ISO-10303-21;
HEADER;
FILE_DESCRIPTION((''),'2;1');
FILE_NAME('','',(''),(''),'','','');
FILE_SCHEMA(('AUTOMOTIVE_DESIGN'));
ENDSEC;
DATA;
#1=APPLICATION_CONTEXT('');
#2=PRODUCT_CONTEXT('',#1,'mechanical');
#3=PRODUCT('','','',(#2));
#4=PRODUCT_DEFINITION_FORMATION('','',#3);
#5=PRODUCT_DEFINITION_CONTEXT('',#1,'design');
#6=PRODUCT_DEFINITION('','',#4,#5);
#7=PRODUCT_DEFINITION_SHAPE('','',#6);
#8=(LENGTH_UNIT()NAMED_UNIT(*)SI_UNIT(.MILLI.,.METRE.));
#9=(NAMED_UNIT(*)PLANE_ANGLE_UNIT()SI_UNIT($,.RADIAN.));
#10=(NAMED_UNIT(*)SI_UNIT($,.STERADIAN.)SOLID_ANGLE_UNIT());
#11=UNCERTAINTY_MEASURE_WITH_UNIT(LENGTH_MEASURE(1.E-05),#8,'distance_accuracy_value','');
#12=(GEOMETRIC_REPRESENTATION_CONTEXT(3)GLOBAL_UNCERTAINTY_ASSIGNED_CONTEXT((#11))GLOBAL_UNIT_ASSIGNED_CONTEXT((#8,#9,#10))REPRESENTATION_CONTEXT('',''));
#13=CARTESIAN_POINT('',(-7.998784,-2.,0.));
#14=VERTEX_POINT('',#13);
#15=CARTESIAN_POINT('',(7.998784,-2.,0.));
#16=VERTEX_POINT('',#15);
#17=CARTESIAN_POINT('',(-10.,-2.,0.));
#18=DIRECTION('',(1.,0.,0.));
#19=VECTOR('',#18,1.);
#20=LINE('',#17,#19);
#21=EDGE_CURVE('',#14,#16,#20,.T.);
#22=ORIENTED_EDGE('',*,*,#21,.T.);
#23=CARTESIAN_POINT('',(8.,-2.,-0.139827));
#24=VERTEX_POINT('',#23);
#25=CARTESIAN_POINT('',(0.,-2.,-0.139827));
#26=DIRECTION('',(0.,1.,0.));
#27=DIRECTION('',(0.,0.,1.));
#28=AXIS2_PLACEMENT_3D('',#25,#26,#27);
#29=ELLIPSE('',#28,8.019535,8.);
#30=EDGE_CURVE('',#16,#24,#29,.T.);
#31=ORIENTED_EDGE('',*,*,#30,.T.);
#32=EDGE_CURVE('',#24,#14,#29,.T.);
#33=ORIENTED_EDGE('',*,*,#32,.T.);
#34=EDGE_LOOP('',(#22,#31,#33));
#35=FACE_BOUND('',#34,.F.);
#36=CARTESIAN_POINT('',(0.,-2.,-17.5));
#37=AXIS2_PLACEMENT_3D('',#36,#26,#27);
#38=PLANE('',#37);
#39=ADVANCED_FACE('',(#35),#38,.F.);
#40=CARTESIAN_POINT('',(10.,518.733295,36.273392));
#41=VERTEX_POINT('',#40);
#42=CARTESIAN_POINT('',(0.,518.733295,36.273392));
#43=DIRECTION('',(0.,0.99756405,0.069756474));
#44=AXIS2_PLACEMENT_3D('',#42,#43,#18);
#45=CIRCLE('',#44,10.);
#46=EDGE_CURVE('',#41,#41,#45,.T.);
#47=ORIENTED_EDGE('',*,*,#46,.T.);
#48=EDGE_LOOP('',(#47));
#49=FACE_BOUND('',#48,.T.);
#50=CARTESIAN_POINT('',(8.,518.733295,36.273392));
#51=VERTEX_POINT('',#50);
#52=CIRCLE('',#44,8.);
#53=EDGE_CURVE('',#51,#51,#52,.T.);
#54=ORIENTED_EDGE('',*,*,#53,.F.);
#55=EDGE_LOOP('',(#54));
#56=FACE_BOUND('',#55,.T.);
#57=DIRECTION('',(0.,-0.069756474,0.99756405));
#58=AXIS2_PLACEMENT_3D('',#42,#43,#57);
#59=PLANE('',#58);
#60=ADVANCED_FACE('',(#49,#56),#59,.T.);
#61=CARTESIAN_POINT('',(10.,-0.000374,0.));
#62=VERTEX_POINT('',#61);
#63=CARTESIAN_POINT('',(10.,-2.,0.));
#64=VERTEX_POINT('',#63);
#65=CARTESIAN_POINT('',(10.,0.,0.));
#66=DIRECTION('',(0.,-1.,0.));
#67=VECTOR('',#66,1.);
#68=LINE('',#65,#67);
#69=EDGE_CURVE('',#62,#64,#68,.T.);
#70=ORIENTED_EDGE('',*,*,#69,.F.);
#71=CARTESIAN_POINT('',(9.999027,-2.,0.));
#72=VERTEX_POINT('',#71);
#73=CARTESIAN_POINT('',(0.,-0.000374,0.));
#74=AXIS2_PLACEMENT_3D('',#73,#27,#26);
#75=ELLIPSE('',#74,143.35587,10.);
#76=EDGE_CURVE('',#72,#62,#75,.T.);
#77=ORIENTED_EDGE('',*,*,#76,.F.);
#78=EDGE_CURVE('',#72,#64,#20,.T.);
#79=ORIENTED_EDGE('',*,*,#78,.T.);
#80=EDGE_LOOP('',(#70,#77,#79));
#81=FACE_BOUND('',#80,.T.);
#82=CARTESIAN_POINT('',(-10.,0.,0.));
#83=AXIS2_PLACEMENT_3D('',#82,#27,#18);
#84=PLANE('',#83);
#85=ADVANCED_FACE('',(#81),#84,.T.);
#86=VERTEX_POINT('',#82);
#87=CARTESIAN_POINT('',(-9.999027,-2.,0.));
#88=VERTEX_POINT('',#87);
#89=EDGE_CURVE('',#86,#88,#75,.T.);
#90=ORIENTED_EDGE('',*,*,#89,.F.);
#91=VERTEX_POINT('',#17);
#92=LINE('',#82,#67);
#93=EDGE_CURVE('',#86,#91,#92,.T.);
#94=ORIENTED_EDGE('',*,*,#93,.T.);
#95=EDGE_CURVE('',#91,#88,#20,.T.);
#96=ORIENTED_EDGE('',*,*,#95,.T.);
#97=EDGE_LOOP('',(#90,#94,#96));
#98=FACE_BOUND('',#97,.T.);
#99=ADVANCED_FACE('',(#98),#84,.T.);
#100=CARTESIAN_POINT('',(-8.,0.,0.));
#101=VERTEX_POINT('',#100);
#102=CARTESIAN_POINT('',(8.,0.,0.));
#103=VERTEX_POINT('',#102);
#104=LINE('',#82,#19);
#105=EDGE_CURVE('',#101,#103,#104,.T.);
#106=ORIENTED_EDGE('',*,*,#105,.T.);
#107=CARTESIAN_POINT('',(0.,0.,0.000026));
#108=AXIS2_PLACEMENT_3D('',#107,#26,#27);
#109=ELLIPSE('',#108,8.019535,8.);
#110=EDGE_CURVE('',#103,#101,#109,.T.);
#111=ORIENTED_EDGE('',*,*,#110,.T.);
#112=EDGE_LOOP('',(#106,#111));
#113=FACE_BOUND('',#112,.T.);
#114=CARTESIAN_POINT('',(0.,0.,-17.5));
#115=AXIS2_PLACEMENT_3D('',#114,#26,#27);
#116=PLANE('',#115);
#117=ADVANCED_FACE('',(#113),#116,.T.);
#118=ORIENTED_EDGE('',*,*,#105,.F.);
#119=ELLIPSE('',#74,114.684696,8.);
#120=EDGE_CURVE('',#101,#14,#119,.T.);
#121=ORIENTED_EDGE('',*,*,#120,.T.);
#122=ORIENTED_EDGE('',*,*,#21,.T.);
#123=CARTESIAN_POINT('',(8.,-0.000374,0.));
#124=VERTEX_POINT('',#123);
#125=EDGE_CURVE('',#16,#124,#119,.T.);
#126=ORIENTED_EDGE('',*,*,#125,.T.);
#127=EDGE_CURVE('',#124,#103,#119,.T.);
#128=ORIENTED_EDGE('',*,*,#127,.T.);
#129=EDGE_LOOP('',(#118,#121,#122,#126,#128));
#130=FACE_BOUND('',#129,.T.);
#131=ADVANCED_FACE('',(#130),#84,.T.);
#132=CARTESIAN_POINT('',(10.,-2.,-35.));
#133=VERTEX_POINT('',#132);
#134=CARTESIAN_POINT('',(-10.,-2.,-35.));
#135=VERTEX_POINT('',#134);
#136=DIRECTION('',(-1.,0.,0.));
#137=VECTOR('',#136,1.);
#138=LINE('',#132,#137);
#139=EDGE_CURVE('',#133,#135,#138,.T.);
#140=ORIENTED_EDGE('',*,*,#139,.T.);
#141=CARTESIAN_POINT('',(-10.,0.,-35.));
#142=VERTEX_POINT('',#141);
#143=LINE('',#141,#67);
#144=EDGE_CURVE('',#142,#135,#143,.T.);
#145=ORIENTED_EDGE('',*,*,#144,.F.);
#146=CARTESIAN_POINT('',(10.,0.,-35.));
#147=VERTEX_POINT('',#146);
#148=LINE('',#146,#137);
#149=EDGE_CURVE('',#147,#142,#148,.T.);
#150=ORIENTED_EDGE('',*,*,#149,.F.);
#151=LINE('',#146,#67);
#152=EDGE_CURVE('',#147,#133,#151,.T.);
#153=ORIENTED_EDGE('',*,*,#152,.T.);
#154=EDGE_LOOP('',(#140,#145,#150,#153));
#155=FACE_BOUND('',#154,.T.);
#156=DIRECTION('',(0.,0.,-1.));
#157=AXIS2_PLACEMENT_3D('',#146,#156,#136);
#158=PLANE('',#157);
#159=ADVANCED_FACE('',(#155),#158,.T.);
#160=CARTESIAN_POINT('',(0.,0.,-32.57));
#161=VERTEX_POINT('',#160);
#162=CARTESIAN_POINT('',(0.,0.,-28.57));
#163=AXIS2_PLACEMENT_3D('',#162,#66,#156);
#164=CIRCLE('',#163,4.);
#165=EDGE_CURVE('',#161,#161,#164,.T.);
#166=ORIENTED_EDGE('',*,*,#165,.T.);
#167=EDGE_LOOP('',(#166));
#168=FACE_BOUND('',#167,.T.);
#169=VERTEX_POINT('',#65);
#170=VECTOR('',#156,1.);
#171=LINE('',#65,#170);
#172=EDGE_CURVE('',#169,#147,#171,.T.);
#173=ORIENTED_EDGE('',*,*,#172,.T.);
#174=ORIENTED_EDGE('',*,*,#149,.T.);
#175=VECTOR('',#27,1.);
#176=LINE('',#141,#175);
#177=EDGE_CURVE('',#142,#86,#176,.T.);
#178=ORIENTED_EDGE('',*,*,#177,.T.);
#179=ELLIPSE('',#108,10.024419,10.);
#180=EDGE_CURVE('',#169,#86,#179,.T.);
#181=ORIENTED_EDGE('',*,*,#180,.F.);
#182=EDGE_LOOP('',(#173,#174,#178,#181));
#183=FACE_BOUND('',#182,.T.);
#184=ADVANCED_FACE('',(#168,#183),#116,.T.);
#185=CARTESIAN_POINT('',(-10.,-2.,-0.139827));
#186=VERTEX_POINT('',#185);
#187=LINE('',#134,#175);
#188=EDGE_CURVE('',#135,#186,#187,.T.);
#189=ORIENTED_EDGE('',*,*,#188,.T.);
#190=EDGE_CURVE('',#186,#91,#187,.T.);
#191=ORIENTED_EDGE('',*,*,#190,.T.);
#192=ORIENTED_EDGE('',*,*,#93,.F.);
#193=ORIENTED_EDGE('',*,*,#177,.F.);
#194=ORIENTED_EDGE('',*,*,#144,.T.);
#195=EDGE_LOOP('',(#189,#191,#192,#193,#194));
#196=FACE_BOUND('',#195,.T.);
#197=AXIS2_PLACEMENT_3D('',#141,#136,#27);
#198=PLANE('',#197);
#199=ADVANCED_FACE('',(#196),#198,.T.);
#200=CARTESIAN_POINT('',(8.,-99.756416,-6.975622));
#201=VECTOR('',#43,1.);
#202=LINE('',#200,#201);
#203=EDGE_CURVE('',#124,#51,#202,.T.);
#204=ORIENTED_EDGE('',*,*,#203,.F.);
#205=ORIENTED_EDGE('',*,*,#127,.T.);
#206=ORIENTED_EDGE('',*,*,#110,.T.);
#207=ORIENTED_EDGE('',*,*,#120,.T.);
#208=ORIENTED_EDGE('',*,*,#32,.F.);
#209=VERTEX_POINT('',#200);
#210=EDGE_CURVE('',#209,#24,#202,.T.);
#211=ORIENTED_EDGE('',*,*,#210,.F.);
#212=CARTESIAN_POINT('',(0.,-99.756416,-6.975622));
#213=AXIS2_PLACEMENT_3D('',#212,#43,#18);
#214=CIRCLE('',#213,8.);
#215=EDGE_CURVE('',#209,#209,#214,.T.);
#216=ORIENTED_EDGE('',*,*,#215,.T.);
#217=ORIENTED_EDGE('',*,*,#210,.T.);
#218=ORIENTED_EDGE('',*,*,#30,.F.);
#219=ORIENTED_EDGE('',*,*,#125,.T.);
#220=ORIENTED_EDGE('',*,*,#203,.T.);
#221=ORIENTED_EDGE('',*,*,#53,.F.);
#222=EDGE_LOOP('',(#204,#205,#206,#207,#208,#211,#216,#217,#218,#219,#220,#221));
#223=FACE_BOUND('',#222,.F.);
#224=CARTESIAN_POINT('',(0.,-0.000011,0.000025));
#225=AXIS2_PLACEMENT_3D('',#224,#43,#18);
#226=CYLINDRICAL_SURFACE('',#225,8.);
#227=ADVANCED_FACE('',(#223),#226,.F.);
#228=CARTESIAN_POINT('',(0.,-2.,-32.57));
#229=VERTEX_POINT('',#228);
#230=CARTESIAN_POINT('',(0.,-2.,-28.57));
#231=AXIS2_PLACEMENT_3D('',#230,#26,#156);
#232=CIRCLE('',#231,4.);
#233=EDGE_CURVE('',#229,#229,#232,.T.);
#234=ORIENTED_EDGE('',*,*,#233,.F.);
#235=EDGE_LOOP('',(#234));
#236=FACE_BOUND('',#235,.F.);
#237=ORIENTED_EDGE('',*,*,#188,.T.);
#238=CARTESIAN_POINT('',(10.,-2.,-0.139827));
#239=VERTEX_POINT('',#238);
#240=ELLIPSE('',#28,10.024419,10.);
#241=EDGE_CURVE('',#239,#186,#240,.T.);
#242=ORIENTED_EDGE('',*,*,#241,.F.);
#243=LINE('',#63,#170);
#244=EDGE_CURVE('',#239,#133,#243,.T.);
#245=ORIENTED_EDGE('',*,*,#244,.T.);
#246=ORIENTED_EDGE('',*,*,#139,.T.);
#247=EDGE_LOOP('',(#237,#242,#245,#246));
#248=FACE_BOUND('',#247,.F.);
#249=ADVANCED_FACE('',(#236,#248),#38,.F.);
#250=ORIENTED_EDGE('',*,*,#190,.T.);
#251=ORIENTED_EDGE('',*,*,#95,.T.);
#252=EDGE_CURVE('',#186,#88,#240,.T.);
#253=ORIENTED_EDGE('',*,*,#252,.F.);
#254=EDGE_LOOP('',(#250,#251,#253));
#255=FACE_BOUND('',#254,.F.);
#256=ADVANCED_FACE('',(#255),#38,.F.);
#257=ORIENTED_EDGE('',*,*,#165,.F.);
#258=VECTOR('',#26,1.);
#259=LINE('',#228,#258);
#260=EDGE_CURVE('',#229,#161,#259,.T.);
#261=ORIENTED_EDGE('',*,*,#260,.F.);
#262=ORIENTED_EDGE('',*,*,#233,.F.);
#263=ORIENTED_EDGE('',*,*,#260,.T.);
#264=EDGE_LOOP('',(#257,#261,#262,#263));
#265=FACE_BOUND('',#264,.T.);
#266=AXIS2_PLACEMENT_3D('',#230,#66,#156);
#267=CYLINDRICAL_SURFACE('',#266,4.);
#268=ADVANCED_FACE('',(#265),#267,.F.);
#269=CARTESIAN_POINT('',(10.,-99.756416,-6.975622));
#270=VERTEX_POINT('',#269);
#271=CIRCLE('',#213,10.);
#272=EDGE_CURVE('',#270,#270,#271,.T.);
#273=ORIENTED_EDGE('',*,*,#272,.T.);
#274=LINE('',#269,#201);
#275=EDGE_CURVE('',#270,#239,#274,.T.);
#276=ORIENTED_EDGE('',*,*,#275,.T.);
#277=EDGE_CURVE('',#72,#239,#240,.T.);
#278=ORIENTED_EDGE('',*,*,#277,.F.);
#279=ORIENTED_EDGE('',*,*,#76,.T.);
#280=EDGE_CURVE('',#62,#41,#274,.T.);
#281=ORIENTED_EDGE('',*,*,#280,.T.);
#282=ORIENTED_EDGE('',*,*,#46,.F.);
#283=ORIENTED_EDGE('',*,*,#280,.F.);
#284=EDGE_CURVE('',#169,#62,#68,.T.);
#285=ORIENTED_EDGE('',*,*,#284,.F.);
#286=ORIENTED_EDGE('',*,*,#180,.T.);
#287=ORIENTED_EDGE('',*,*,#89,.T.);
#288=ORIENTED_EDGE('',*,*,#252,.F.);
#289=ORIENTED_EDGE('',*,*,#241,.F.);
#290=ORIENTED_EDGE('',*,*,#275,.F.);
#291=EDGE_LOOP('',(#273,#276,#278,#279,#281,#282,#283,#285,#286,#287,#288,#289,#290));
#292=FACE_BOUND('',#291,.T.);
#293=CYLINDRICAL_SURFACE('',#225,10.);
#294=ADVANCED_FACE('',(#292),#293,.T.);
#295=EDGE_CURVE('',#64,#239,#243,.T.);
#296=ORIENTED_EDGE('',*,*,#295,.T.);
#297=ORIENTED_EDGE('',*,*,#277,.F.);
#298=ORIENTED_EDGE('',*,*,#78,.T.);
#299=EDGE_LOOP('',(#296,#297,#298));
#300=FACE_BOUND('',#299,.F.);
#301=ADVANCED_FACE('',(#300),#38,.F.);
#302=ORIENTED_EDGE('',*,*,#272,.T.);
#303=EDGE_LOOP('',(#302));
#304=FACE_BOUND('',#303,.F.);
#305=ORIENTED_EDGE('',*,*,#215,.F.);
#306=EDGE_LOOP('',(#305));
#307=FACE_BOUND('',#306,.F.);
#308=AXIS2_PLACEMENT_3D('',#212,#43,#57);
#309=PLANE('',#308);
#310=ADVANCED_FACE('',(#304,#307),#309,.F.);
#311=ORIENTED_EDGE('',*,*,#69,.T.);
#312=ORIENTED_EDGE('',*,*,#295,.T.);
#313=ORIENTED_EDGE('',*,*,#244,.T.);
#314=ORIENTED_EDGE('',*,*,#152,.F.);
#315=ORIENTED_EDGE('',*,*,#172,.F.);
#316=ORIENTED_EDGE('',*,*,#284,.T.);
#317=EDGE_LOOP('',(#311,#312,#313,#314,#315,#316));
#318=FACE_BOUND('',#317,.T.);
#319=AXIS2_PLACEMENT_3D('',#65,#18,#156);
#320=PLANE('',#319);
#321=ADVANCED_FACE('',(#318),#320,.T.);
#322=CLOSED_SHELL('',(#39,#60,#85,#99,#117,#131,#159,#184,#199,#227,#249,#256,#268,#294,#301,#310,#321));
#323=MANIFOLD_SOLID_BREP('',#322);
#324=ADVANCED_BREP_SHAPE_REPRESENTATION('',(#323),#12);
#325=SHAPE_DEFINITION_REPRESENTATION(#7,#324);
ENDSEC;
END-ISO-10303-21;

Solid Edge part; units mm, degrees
sketch "Sketch1" plane through (2.3093, -0.1611, 2.3037) normal (0, 0.9976, 0.0698) x (1, 0, 0)
  circle A0 centre (-2.3093, 2.3093) radius 10
  dimension "D1" = 20
extrude "ExtrudedProtrusion_2" add sketch "Sketch1" against normal blind 100 and the other way blind 520
shell "Thinwall_2" thickness 2 removed faces 2 at (-6.4667, -99.2774, -13.8256) at (-6.4667, 519.2123, 29.4235)
sketch "Sketch2" plane through (0, 0, 0) normal (0, -1, 0) x (1, 0, 0)
  line L0 (10, -35) -> (-10, -35)
  line L1 (-10, -35) -> (-10, 0)
  line L2 (-10, 0) -> (10, 0)
  line L3 (10, 0) -> (10, -35)
  dimension "D1" = 35
extrude "ExtrudedProtrusion_3" add sketch "Sketch2" along normal blind 2
hole "Hole_1" at (0, -2, -28.57) direction (0, 1, 0) diameter 8 end up to next
properties material "Aluminum, 1060"
